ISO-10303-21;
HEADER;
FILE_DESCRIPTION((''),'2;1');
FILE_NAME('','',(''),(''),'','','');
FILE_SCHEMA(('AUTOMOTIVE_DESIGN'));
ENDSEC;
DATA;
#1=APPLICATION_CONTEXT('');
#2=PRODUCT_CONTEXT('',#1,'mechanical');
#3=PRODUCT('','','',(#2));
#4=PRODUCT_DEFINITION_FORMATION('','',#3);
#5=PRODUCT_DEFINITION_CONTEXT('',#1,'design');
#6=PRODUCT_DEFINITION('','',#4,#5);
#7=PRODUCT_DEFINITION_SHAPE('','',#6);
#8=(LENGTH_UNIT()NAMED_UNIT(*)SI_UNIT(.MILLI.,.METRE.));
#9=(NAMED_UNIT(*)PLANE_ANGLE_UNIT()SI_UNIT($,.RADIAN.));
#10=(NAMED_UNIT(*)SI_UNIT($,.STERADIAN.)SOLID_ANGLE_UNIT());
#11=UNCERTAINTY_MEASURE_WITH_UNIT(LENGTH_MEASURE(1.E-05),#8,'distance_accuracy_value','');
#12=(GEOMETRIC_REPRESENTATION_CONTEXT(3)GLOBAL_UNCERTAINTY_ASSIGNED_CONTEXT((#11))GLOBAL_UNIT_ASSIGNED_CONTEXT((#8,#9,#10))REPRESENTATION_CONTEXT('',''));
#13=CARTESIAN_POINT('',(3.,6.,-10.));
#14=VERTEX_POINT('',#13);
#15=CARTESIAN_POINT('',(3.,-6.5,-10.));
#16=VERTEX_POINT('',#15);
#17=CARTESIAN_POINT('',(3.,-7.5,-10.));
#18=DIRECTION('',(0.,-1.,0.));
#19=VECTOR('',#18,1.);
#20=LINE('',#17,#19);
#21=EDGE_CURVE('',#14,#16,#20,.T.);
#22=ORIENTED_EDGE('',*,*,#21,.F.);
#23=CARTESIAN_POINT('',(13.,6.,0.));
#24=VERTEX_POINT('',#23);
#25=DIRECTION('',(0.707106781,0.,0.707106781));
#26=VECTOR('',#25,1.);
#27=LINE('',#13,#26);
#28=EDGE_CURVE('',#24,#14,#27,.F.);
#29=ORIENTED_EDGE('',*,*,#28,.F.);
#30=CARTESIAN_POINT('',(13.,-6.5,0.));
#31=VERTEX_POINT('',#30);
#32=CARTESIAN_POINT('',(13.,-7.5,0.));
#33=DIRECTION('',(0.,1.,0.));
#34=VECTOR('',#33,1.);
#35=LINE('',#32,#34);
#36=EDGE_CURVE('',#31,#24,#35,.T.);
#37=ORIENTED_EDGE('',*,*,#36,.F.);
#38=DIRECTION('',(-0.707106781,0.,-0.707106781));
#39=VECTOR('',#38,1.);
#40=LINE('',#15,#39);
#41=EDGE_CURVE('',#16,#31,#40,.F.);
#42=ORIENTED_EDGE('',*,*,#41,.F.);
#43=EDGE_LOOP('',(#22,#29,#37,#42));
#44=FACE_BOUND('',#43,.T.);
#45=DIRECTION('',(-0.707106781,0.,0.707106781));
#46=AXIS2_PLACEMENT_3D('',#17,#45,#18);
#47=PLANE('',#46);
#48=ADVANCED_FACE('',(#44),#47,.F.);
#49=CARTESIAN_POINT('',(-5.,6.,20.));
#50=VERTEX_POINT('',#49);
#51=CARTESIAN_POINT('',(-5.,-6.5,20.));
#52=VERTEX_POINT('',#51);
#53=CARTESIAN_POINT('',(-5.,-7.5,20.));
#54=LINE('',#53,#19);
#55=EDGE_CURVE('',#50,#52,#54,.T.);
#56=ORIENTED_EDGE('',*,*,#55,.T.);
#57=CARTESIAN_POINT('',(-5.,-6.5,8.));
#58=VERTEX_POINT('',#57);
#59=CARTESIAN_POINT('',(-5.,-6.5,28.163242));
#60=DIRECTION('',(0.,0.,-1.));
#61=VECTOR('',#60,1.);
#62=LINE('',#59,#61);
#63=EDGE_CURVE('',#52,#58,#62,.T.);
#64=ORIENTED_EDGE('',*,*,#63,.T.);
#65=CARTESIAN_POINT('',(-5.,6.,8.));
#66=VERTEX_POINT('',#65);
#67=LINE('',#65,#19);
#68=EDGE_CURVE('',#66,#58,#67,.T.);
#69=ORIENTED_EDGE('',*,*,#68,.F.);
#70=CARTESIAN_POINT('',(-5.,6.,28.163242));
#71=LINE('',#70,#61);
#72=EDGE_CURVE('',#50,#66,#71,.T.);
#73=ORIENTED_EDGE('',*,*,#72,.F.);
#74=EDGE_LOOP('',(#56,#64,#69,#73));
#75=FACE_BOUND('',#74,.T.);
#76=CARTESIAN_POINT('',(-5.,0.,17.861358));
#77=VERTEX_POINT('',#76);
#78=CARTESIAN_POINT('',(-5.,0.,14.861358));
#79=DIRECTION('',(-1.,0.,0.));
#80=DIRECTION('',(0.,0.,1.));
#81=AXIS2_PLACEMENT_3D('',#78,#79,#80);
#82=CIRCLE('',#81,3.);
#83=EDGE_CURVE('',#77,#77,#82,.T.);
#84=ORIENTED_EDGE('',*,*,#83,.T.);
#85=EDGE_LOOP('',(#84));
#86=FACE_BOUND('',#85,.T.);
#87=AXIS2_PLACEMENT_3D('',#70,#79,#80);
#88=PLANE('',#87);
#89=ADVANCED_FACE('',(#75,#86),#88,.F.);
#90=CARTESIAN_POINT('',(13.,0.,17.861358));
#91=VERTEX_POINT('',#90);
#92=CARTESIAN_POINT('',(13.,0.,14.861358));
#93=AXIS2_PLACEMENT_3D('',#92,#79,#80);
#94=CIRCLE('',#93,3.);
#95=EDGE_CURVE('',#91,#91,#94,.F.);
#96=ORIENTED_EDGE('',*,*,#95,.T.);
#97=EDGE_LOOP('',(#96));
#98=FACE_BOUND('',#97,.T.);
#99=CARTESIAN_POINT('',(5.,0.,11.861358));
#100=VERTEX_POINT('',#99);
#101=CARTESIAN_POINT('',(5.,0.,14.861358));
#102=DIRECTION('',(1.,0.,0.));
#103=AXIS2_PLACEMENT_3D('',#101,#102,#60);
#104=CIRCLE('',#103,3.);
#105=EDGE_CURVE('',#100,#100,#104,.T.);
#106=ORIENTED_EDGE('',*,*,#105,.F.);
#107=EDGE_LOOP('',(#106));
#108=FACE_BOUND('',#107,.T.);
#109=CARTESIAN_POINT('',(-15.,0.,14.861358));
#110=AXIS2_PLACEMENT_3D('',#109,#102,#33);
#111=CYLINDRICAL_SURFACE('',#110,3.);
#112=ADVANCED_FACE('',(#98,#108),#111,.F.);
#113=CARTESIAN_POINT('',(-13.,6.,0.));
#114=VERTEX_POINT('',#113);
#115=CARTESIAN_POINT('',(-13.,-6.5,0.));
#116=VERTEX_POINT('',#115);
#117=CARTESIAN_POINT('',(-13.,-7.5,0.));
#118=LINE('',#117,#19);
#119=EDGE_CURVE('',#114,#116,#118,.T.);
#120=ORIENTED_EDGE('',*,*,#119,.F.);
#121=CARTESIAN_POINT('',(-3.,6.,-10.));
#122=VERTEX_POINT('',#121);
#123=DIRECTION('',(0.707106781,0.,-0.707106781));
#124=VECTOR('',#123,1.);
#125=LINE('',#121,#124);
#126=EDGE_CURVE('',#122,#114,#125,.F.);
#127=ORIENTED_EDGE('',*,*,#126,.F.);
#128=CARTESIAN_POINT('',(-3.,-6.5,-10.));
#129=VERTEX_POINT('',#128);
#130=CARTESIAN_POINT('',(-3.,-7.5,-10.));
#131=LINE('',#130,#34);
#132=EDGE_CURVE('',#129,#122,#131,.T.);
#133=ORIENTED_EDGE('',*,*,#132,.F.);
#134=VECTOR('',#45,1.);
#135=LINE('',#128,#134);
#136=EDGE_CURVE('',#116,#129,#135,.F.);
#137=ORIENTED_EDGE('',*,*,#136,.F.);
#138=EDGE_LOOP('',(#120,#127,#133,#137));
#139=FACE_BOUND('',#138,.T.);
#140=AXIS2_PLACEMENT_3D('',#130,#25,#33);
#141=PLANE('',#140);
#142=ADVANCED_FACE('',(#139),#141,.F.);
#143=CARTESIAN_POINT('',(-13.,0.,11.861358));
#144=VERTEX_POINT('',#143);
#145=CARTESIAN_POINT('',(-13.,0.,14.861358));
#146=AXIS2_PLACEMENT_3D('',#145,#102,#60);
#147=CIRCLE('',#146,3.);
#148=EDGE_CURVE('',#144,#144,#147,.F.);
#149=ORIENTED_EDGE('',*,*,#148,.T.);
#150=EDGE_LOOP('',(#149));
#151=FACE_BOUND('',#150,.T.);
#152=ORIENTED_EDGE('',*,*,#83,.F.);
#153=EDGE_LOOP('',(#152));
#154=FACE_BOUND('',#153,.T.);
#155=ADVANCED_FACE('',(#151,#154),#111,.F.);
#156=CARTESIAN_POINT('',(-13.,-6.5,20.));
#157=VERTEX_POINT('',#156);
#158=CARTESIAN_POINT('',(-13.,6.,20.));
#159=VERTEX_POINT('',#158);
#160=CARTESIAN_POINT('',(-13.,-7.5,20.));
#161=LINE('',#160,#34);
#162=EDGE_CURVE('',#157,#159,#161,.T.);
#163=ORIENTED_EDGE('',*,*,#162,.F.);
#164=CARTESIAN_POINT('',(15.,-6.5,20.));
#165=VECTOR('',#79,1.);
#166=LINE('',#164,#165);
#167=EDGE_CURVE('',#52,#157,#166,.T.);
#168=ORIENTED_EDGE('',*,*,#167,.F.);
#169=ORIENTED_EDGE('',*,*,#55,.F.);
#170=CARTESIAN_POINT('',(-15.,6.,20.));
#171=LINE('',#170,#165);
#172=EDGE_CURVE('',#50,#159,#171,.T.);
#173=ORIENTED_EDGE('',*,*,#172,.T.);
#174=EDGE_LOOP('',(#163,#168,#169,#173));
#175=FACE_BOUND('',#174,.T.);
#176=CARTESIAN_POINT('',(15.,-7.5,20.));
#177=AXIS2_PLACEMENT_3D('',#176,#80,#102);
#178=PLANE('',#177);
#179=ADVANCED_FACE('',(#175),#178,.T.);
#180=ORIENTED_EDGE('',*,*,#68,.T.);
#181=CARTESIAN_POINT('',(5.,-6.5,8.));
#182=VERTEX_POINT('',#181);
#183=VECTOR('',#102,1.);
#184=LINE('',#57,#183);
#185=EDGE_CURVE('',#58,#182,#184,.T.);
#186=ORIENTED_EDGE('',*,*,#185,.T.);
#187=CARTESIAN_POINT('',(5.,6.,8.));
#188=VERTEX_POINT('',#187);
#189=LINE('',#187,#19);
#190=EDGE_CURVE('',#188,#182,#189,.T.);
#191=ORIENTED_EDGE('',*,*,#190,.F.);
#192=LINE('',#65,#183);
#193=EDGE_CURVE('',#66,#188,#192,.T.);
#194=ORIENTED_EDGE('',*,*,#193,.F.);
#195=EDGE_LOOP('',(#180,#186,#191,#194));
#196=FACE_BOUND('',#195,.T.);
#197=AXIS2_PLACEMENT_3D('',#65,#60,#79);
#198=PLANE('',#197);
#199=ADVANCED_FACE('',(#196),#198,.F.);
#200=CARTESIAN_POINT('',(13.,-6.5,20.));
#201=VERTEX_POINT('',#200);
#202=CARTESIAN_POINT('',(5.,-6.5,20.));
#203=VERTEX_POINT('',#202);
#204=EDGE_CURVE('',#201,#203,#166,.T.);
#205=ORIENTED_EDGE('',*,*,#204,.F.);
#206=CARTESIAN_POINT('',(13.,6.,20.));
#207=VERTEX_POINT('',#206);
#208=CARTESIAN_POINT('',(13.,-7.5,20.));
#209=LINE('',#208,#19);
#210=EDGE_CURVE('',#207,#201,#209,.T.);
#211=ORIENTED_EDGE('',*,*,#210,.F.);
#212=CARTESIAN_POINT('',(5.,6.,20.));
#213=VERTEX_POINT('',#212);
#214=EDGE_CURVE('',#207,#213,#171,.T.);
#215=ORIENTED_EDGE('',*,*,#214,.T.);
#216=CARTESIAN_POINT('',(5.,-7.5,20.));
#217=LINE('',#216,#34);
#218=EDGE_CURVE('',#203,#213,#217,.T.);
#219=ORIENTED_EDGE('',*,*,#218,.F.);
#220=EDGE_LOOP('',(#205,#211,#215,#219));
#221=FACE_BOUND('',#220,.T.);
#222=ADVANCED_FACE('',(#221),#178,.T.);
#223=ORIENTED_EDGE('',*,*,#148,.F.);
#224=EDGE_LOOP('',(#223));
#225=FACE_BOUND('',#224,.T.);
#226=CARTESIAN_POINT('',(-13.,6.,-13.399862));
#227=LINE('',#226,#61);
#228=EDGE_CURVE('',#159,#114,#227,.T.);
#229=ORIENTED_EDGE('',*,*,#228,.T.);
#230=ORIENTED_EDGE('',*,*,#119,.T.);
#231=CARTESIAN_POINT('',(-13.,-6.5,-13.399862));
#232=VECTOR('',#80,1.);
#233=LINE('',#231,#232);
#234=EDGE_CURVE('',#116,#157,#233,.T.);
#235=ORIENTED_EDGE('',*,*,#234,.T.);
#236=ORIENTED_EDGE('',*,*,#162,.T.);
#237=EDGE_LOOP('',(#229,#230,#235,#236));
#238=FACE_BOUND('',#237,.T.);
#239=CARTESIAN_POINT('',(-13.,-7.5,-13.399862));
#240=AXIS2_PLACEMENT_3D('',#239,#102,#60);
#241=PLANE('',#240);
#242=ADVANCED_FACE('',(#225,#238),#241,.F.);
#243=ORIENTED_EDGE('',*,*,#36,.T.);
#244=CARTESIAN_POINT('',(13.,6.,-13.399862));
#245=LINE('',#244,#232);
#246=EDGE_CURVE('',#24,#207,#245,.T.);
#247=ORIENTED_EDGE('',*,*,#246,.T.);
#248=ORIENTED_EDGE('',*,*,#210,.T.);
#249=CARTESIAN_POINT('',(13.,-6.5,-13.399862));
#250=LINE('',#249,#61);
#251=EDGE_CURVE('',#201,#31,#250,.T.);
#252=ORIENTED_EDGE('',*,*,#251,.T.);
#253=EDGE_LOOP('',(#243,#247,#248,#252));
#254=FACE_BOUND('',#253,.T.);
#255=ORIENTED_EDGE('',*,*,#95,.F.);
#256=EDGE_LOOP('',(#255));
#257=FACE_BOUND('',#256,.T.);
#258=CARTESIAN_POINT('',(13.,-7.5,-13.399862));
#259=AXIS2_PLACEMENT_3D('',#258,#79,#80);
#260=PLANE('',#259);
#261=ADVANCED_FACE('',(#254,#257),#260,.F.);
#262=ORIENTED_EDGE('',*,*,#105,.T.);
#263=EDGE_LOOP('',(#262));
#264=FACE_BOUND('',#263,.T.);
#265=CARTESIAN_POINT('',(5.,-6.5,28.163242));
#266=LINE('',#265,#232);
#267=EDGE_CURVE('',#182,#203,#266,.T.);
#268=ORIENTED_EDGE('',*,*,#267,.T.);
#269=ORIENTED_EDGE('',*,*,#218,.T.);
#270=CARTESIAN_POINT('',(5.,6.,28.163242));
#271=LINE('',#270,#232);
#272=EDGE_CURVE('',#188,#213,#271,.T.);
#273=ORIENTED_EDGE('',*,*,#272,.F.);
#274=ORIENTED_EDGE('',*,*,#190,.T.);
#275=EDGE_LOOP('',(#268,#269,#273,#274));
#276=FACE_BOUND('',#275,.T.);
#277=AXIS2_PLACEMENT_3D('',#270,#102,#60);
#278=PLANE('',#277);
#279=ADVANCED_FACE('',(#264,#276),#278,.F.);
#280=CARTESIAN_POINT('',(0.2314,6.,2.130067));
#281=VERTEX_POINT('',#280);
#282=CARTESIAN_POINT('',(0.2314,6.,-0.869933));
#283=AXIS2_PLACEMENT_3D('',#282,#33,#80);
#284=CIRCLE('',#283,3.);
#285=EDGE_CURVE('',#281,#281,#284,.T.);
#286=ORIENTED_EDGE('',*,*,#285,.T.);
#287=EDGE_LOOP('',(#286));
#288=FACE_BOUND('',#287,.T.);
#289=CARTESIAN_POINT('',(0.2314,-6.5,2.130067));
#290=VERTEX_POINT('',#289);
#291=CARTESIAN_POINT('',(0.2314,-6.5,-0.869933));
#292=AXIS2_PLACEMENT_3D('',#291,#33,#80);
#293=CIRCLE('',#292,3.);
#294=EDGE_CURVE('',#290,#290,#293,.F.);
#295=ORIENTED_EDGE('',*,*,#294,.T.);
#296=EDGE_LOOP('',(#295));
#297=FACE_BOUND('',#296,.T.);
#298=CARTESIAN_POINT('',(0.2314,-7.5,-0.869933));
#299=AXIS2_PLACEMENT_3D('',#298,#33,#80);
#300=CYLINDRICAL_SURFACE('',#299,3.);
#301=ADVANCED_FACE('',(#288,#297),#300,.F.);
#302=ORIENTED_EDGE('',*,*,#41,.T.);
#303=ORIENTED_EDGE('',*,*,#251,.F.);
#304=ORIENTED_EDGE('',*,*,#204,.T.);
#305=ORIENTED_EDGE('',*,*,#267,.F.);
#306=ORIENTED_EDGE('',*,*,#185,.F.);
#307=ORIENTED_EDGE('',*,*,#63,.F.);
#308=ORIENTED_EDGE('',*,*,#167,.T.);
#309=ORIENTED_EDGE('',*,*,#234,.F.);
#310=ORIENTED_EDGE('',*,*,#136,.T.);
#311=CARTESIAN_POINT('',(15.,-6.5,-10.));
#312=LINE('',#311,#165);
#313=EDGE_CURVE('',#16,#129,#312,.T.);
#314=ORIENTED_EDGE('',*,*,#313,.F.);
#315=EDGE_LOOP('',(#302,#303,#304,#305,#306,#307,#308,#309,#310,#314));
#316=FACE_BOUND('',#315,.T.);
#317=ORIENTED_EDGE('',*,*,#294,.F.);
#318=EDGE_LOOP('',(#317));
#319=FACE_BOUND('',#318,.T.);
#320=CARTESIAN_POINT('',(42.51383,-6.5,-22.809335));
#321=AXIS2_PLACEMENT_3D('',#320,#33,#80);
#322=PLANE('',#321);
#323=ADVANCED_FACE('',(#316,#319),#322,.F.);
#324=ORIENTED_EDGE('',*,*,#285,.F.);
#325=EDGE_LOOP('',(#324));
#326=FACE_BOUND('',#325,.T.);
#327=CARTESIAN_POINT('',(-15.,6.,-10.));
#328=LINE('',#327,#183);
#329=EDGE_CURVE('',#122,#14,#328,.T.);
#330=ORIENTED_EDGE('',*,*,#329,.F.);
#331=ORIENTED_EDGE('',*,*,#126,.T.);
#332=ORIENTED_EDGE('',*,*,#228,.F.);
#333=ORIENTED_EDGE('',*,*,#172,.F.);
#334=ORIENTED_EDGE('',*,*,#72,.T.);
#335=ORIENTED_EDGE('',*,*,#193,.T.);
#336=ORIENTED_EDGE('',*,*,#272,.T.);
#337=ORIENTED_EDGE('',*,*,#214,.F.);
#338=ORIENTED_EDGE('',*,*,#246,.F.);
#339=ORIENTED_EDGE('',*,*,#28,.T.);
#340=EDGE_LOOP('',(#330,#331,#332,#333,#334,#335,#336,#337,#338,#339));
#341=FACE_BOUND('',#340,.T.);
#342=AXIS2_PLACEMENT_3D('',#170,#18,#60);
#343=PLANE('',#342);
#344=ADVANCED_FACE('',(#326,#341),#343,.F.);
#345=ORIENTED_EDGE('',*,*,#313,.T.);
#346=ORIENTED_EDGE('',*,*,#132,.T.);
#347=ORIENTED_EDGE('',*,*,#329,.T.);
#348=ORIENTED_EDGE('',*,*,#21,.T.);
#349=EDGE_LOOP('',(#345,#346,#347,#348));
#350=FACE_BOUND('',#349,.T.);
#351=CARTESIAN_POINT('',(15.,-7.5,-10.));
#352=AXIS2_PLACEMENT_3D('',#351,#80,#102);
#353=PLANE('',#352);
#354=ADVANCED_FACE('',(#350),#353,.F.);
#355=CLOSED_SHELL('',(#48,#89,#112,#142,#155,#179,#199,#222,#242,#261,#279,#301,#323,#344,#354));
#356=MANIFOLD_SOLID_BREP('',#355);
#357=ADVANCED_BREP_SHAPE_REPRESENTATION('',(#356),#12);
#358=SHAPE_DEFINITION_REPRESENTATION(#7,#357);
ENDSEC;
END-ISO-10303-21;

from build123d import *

# Parameters (mm, degrees)
SKETCH_1_W           = 30
SKETCH_1_H           = 13.5
EXTRUDE_1_DEPTH      = 20
SKETCH_2_W           = 10
SKETCH_2_H           = 20.163242361
CUT_EXTRUDE_2_DEPTH  = 29.41214529
SKETCH_3_R           = 3
CUT_EXTRUDE_3_DEPTH  = 37.827299657
SKETCH_6_W           = 30
SKETCH_6_H           = 13.5
EXTRUDE_5_DEPTH      = 10
SKETCH_7_R           = 3
CUT_EXTRUDE_1_DEPTH  = 29.41214529
SKETCH_9_W           = 6.52399098
SKETCH_9_H           = 33.458140235
CUT_EXTRUDE_6_DEPTH  = 29.41214529
SKETCH_14_W          = 84.903926308
SKETCH_14_H          = 44.963333207
CUT_EXTRUDE_10_DEPTH = 1
CHAMFER1_SIZE        = 10


with BuildPart() as part:
    # Эскиз1 → Вытянуть1 (new body)
    with BuildSketch(Plane.XY):
        with Locations((0, -0.75)):
            Rectangle(SKETCH_1_W, SKETCH_1_H)
    extrude(amount=EXTRUDE_1_DEPTH)

    # Эскиз2 → Вытянуть2 (cut, through all)
    with BuildSketch(Plane.XZ.offset(7.5)):
        with Locations((0, 18.081621181)):
            Rectangle(SKETCH_2_W, SKETCH_2_H)
    extrude(amount=-CUT_EXTRUDE_2_DEPTH, mode=Mode.SUBTRACT)

    # Эскиз3 → Вытянуть3 (cut, through all)
    with BuildSketch(Plane(origin=(15, 0, 0), x_dir=(0, 0, -1), z_dir=(1, 0, 0))):
        with Locations(Location((-14.861357689, 0, 0), (0, 0, 90))):
            Circle(SKETCH_3_R)
    extrude(amount=-CUT_EXTRUDE_3_DEPTH, mode=Mode.SUBTRACT)

    # Эскиз6 → Вытянуть5 (add)
    with BuildSketch(Plane(origin=(0, 0, 0), x_dir=(-1, 0, 0), z_dir=(0, 0, -1))):
        with Locations((0, -0.75)):
            Rectangle(SKETCH_6_W, SKETCH_6_H)
    extrude(amount=EXTRUDE_5_DEPTH)

    # Эскиз7 → Вырез-Вытянуть1 (cut, through all)
    with BuildSketch(Plane(origin=(0, 6, 0), x_dir=(1, 0, 0), z_dir=(0, 1, 0))):
        with Locations(Location((0.231400022, 0.869933179, 0), (0, 0, 270))):
            Circle(SKETCH_7_R)
    extrude(amount=-CUT_EXTRUDE_1_DEPTH, mode=Mode.SUBTRACT)

    # Эскиз9 → Вытянуть6 (cut, through all)
    with BuildSketch(Plane(origin=(0, 6, 0), x_dir=(1, 0, 0), z_dir=(0, 1, 0))):
        with Locations((16.26199549, -3.329208479)):
            Rectangle(SKETCH_9_W, SKETCH_9_H)
        with Locations((-16.26199549, -3.329208479)):
            Rectangle(SKETCH_9_W, SKETCH_9_H)
    extrude(amount=-CUT_EXTRUDE_6_DEPTH, mode=Mode.SUBTRACT)

    # Эскиз14 → Вытянуть10 (cut)
    with BuildSketch(Plane.XZ.offset(7.5)):
        with Locations((0.061866905, -0.327668242)):
            Rectangle(SKETCH_14_W, SKETCH_14_H)
    extrude(amount=-CUT_EXTRUDE_10_DEPTH, mode=Mode.SUBTRACT)

    # Chamfer1
    chamfer1_edges = [part.edges().sort_by_distance(p)[0] for p in [
        (-13, -0.25, -10),
        (13, -0.25, -10),
    ]]
    chamfer(chamfer1_edges, length=CHAMFER1_SIZE)


solid = part.part
